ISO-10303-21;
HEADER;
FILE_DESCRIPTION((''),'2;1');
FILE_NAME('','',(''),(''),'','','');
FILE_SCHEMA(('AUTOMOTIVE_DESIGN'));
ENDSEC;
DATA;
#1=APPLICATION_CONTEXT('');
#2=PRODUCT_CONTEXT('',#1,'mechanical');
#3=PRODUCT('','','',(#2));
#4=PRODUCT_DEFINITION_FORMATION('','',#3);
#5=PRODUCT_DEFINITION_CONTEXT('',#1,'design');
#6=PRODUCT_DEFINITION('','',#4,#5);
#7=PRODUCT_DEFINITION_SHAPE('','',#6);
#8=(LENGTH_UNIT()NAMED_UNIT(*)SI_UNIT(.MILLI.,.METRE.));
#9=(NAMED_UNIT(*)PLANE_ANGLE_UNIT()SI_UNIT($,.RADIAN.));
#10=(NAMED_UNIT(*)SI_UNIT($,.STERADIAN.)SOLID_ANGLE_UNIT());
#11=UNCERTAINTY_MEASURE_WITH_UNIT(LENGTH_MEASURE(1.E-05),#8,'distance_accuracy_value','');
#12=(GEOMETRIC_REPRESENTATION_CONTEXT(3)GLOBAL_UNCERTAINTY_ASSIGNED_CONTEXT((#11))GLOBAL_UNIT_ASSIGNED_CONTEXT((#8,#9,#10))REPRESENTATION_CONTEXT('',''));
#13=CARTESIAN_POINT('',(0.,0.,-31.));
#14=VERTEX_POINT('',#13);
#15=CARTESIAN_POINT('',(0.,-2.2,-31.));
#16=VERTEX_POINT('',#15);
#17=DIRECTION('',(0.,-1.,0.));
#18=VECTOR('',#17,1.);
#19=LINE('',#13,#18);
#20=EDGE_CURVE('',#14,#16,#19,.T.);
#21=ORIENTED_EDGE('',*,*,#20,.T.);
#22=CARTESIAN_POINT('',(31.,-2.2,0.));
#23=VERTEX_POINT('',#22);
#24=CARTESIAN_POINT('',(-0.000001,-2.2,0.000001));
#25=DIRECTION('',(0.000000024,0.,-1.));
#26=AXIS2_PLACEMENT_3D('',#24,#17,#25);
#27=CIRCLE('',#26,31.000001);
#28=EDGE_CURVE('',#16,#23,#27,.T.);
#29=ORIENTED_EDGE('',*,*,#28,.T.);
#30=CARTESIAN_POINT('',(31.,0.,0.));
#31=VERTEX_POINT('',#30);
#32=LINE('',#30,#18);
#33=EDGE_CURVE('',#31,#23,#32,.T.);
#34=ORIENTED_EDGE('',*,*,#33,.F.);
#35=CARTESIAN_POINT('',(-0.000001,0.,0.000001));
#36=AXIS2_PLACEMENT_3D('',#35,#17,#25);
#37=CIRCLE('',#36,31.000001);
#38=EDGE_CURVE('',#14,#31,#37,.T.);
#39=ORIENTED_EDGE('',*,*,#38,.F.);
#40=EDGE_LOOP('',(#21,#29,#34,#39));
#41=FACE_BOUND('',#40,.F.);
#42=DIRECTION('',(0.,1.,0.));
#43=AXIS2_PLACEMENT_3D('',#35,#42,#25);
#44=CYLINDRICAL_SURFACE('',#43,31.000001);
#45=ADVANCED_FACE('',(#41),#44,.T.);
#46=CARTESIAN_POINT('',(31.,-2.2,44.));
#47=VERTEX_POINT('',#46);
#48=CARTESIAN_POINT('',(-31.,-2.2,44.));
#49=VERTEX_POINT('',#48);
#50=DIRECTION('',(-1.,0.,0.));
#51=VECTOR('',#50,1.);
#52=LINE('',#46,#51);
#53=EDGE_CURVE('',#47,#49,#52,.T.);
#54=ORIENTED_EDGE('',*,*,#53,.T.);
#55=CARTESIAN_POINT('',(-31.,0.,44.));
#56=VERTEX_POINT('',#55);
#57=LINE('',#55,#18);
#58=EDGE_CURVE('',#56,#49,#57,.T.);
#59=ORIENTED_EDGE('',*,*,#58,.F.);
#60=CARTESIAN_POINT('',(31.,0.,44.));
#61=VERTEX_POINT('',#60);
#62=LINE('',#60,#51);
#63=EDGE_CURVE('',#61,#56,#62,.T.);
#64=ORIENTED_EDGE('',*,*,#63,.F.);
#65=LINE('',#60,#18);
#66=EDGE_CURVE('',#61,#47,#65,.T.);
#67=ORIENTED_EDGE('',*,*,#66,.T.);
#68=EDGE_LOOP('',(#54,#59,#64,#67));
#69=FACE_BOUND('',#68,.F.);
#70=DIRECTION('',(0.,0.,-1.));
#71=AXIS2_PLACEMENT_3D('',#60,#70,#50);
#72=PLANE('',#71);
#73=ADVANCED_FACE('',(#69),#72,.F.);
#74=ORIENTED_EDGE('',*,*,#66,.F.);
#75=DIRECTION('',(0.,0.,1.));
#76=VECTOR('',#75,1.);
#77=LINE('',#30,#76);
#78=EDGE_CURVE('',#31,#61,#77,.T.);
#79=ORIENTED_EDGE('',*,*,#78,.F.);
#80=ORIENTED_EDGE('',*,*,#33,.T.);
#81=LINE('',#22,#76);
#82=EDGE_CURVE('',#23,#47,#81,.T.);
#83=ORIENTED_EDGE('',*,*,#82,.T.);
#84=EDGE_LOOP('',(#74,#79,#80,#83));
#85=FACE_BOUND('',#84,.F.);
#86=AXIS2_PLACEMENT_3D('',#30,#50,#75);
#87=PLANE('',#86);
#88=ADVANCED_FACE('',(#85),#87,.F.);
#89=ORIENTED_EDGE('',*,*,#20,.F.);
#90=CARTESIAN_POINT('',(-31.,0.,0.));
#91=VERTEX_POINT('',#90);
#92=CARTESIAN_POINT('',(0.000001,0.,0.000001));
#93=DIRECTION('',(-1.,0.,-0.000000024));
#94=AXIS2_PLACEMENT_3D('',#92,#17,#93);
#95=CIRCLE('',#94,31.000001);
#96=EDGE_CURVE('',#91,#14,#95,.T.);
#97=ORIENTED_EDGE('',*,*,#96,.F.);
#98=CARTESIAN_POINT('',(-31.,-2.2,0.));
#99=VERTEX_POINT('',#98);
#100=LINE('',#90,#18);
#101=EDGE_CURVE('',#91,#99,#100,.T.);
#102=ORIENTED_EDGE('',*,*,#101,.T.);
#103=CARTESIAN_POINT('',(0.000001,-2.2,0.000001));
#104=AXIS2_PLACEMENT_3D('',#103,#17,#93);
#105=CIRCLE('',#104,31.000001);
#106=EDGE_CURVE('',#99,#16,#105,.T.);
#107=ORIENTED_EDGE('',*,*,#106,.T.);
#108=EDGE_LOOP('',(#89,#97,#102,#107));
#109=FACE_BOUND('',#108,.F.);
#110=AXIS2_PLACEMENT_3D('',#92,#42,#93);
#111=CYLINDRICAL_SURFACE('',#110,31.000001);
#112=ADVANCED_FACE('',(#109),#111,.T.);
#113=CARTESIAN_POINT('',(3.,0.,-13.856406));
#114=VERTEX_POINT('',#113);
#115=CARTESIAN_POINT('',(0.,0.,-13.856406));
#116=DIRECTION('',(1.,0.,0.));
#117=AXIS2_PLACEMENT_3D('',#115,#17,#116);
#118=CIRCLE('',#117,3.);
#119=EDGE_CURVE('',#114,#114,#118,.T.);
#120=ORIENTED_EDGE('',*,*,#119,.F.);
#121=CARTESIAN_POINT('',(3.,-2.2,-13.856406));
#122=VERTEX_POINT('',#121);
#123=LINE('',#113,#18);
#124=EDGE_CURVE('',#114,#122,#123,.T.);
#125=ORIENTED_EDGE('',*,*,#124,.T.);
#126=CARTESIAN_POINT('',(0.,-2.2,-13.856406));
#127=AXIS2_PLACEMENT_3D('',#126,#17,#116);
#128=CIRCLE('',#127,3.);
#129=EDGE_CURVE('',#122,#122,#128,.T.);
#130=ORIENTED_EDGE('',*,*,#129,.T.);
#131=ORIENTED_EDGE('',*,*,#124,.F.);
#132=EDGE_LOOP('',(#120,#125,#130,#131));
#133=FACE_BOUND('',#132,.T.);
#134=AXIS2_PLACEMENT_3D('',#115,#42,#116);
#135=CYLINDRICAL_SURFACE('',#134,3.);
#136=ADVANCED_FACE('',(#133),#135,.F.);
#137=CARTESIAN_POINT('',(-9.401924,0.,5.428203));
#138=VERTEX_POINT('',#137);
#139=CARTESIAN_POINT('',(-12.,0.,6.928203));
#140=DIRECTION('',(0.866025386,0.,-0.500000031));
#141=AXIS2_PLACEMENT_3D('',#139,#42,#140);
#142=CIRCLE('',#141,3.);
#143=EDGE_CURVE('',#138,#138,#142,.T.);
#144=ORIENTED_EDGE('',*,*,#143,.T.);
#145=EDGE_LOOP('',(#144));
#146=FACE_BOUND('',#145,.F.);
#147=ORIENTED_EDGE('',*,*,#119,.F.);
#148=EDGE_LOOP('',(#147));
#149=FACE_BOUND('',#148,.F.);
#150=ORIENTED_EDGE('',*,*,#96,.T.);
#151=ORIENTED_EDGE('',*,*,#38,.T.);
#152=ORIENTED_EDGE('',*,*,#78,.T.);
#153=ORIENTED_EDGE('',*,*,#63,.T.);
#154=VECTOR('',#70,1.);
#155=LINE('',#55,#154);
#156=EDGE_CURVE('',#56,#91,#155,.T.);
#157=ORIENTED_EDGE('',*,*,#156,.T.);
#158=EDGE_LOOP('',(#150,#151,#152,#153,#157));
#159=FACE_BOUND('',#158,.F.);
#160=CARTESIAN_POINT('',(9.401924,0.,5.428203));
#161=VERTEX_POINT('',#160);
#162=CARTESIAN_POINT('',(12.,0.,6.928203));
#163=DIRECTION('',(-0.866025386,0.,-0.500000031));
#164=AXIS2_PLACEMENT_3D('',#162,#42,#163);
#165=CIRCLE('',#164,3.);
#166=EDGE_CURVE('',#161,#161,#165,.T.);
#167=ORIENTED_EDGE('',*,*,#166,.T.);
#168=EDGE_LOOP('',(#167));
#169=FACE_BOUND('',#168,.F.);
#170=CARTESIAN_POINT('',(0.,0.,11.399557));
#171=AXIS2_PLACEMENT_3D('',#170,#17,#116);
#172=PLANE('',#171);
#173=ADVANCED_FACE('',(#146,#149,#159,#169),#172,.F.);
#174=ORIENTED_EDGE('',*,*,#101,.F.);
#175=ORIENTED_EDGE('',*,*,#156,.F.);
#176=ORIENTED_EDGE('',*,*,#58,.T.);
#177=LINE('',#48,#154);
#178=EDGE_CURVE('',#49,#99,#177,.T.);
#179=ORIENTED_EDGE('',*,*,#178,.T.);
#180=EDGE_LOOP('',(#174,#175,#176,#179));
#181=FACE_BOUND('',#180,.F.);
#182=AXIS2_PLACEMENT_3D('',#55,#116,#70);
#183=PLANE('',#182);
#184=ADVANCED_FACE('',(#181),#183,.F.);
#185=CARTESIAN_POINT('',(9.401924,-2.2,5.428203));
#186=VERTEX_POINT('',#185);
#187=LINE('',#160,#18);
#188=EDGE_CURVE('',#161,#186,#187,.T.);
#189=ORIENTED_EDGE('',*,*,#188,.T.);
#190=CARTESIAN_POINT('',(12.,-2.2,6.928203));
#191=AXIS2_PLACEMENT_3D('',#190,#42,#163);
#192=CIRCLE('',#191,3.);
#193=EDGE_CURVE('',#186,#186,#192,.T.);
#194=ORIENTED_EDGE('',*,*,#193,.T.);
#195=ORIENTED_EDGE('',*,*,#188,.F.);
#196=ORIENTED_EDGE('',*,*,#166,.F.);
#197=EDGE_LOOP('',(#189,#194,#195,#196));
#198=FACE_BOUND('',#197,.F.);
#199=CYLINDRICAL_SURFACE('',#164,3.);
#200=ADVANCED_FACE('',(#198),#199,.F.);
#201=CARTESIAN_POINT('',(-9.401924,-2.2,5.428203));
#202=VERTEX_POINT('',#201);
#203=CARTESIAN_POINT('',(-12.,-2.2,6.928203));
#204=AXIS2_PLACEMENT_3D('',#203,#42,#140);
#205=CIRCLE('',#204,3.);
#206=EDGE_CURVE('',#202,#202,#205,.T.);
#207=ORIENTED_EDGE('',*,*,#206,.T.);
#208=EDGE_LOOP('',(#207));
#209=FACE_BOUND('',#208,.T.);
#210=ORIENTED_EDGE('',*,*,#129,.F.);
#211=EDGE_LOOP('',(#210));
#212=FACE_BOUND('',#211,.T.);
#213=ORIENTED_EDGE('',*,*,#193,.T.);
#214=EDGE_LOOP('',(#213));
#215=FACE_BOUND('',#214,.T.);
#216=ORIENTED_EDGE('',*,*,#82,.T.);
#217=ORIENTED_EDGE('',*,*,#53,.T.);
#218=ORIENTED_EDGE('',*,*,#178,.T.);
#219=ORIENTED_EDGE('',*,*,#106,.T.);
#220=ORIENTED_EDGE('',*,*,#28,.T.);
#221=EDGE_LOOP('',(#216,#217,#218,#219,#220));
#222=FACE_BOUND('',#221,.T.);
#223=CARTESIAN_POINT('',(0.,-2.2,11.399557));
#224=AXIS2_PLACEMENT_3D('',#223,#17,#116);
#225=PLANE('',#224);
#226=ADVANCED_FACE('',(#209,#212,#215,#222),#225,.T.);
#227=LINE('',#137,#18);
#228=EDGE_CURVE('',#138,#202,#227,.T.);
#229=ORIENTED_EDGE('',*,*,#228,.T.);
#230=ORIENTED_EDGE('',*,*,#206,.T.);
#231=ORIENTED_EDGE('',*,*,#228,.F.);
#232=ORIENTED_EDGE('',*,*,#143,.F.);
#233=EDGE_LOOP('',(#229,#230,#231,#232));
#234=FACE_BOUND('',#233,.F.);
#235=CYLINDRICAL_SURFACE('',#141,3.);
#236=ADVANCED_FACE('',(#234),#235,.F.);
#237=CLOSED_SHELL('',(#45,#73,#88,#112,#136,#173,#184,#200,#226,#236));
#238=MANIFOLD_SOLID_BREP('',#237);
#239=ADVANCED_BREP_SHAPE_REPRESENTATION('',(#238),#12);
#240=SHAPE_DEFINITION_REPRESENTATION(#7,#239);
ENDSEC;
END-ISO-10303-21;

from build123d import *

# Parameters (mm, degrees)
F0_R     = 3
F1_DEPTH = 2.2


with BuildPart() as f1:
    # F0 (on Front) → F1 (new body)
    with BuildSketch(Plane.XZ):
        with BuildLine():
            ThreePointArc((-31, 0), (-21.92031, -21.92031), (0, -31))
            ThreePointArc((0, -31), (21.92031, -21.92031), (31, 0))
            Line((31, 0), (31, 44))
            Line((31, 44), (-31, 44))
            Line((-31, 44), (-31, 0))
        make_face()
        with Locations((0, -13.856406)):
            Circle(F0_R, mode=Mode.SUBTRACT)
        with BuildLine():
            ThreePointArc((-14.598076, 8.428203), (-10.5, 9.526279), (-9.401924, 5.428203))
            ThreePointArc((-9.401924, 5.428203), (-13.5, 4.330127), (-14.598076, 8.428203))
        make_face(mode=Mode.SUBTRACT)
        with BuildLine():
            ThreePointArc((14.598076, 8.428203), (13.5, 4.330127), (9.401924, 5.428203))
            ThreePointArc((9.401924, 5.428203), (10.5, 9.526279), (14.598076, 8.428203))
        make_face(mode=Mode.SUBTRACT)
    extrude(amount=F1_DEPTH)


solid = f1.part
